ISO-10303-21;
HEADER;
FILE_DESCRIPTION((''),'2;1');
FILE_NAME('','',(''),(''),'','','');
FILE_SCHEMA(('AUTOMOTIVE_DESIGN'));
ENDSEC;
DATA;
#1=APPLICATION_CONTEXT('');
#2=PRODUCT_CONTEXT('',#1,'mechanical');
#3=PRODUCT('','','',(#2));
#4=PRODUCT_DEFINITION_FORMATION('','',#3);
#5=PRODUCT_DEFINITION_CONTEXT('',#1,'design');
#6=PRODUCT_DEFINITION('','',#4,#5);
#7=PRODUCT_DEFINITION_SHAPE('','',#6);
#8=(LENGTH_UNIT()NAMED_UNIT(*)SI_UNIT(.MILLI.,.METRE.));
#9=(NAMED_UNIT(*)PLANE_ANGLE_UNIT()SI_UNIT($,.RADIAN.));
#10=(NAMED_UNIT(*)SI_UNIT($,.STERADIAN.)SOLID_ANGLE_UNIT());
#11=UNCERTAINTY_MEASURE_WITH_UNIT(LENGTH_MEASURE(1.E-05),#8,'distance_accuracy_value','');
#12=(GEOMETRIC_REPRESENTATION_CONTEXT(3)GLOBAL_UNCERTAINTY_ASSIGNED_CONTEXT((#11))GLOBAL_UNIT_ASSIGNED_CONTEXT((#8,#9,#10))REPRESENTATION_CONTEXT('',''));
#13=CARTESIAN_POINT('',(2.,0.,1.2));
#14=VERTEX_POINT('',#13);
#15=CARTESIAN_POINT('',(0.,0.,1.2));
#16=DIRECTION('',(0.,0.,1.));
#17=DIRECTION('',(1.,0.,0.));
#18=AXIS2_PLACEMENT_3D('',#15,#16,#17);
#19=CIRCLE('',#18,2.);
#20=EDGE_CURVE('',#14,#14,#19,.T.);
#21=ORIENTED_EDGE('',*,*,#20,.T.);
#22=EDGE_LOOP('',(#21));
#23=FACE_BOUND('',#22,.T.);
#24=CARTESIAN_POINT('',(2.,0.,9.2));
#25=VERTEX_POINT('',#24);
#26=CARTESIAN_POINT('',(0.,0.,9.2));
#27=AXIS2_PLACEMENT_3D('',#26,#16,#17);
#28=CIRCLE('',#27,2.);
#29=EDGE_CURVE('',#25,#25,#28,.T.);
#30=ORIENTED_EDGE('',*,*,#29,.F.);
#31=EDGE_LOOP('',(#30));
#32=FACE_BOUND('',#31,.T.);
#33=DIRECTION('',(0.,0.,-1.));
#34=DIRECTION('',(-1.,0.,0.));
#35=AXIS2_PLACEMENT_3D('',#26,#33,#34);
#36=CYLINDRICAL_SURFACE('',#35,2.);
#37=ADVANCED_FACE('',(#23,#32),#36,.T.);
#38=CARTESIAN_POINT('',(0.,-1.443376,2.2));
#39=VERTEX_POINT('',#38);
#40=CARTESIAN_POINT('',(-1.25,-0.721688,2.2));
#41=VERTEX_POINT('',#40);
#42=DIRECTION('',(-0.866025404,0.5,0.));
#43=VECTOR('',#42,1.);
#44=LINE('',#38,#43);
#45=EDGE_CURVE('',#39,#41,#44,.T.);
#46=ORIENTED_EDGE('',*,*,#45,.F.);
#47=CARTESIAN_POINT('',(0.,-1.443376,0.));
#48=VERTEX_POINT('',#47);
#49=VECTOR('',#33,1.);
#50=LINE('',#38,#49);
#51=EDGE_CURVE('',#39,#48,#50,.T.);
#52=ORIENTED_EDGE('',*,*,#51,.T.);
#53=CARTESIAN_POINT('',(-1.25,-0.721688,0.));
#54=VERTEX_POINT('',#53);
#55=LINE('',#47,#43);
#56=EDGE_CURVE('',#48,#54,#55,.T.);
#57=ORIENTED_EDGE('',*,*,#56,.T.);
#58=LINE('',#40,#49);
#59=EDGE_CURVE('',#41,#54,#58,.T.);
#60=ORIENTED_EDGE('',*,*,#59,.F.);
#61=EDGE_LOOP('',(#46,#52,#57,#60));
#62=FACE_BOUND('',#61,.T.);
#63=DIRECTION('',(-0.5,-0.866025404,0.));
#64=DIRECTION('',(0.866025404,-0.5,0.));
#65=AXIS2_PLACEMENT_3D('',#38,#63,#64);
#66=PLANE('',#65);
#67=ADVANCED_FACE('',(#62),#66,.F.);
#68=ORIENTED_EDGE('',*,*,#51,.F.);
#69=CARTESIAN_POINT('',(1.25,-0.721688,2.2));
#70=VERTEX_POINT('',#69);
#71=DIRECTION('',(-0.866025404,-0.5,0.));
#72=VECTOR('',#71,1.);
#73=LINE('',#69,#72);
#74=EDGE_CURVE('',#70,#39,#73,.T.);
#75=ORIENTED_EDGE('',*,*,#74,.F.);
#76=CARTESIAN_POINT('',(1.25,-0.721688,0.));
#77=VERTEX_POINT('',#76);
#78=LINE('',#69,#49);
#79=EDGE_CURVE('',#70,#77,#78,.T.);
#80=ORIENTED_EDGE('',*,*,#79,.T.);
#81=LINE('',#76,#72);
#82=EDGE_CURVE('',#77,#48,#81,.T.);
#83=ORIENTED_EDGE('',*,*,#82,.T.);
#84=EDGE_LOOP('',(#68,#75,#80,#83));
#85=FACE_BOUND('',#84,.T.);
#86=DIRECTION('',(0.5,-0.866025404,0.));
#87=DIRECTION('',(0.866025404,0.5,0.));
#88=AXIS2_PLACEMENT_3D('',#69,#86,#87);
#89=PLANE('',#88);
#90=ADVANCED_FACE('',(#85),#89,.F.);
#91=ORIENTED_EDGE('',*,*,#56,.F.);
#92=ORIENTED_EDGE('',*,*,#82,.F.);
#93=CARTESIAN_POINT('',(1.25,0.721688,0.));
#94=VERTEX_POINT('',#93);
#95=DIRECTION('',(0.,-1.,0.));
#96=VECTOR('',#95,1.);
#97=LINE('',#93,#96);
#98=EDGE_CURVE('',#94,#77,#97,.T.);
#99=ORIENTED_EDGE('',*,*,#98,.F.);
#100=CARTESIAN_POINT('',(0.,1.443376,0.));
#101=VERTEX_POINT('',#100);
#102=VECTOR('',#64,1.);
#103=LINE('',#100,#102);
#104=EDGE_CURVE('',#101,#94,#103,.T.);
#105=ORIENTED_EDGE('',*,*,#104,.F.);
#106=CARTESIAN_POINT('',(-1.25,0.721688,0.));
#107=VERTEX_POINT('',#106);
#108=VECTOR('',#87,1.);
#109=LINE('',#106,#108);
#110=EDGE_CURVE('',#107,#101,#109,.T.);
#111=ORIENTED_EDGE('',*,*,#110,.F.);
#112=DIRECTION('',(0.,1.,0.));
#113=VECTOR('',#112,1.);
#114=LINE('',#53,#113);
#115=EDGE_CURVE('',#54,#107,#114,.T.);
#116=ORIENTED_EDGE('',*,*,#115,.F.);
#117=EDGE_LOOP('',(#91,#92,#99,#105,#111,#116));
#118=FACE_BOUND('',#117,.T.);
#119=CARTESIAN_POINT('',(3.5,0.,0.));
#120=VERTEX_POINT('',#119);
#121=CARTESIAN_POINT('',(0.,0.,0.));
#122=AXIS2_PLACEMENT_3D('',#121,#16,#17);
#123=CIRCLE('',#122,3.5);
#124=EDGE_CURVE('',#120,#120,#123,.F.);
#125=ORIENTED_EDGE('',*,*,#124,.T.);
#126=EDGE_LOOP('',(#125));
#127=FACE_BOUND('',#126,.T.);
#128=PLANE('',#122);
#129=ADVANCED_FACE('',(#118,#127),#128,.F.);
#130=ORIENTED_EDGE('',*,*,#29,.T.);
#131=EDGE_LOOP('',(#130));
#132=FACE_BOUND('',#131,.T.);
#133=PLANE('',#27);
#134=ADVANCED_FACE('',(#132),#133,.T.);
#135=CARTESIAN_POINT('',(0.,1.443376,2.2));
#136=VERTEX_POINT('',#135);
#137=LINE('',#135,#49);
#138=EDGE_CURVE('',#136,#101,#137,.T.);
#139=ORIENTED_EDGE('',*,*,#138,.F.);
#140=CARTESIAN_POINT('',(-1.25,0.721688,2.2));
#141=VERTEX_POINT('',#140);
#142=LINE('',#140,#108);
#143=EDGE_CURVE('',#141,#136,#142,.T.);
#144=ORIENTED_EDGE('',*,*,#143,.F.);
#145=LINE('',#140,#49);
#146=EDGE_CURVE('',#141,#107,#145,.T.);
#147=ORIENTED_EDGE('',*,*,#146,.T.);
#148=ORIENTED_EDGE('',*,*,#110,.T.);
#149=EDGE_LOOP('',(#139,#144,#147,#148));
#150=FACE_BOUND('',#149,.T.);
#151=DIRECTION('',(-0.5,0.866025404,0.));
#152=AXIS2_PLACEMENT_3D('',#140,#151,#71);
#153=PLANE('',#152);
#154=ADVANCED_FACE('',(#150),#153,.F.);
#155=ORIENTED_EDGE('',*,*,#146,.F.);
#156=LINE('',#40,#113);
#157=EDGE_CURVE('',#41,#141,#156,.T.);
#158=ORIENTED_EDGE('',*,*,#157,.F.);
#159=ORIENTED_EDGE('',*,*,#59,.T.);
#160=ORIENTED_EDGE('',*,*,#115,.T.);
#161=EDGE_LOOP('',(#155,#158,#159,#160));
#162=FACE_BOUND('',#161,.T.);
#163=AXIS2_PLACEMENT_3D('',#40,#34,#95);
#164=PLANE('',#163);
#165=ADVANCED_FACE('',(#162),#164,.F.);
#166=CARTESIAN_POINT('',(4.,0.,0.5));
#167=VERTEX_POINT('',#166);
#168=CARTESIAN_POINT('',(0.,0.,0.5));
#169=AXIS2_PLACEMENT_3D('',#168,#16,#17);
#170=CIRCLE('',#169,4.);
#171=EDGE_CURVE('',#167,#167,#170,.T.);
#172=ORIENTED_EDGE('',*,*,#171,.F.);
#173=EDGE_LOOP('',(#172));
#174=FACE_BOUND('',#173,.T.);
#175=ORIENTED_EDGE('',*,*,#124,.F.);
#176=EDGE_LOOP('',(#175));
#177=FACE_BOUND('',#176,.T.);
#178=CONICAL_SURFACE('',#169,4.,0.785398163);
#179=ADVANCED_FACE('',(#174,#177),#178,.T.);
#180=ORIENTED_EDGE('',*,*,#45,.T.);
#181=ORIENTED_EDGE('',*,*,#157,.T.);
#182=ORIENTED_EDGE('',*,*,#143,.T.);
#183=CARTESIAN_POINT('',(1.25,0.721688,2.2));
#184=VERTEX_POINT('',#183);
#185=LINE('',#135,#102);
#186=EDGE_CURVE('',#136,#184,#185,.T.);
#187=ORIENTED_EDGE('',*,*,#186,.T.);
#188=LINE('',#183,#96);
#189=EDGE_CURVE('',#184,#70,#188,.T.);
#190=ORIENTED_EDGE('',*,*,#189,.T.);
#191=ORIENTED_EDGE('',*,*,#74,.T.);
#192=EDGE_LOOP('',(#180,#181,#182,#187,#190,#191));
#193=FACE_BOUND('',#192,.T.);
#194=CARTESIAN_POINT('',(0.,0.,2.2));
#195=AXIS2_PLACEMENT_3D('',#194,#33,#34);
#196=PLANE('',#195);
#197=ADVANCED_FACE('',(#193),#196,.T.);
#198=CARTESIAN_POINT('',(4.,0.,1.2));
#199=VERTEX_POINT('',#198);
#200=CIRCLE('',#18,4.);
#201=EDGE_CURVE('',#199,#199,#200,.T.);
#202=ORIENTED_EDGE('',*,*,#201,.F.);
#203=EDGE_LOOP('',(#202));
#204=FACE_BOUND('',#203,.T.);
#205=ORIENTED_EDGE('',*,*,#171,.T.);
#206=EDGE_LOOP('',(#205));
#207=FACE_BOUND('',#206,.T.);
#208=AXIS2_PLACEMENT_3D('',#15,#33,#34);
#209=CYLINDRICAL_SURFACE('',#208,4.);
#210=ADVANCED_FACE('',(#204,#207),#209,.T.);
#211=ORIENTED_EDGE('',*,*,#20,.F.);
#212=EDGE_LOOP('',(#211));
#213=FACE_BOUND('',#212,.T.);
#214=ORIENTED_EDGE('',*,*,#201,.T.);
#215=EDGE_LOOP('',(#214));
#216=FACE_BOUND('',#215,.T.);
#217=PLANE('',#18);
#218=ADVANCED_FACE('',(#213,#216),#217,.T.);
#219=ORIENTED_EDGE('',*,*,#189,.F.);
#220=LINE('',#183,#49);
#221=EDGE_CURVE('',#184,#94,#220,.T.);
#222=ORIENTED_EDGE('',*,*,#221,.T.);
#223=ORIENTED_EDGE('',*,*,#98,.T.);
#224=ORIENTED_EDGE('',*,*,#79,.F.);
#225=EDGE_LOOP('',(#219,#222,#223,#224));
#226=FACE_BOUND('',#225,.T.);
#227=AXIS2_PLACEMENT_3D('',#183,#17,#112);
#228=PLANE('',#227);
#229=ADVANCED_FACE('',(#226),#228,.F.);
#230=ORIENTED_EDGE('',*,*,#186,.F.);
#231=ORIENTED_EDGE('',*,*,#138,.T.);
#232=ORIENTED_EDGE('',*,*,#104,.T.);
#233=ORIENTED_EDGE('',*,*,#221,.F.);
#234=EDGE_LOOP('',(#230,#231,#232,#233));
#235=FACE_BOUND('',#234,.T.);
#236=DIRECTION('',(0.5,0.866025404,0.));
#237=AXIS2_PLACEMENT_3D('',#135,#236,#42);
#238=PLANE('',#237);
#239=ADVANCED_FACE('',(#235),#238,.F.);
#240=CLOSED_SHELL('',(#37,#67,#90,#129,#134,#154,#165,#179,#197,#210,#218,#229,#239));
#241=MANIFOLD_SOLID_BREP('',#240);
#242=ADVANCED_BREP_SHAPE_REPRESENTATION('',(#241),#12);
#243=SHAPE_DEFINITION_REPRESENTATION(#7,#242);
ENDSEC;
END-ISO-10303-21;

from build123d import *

# Parameters (mm, degrees)
SKETCH_1_R          = 4
EXTRUDE_1_DEPTH     = 1.2
CHAMFER_1_SIZE      = 0.5
SKETCH_3_R          = 2
EXTRUDE_2_DEPTH     = 8
CUT_EXTRUDE_1_DEPTH = 2.2


with BuildPart() as part:
    # 草图1 → 凸台-拉伸1 (new body)
    with BuildSketch(Plane.XY):
        Circle(SKETCH_1_R)
    extrude(amount=EXTRUDE_1_DEPTH)

    # 倒角1
    chamfer_1_edges = [part.edges().sort_by_distance(p)[0] for p in [
        (-4, 0, 0),
    ]]
    chamfer(chamfer_1_edges, length=CHAMFER_1_SIZE)

    # 草图3 → 凸台-拉伸2 (add)
    with BuildSketch(Plane.XY.offset(1.2)):
        Circle(SKETCH_3_R)
    extrude(amount=EXTRUDE_2_DEPTH)

    # 草图4 → 切除-拉伸1 (cut)
    with BuildSketch(Plane(origin=(0, 0, 0), x_dir=(-1, 0, 0), z_dir=(0, 0, -1))):
        Polygon((0, 1.443375673), (-1.25, 0.721687836), (-1.25, -0.721687836), (0, -1.443375673), (1.25, -0.721687836), (1.25, 0.721687836), align=None)
    extrude(amount=-CUT_EXTRUDE_1_DEPTH, mode=Mode.SUBTRACT)


solid = part.part
